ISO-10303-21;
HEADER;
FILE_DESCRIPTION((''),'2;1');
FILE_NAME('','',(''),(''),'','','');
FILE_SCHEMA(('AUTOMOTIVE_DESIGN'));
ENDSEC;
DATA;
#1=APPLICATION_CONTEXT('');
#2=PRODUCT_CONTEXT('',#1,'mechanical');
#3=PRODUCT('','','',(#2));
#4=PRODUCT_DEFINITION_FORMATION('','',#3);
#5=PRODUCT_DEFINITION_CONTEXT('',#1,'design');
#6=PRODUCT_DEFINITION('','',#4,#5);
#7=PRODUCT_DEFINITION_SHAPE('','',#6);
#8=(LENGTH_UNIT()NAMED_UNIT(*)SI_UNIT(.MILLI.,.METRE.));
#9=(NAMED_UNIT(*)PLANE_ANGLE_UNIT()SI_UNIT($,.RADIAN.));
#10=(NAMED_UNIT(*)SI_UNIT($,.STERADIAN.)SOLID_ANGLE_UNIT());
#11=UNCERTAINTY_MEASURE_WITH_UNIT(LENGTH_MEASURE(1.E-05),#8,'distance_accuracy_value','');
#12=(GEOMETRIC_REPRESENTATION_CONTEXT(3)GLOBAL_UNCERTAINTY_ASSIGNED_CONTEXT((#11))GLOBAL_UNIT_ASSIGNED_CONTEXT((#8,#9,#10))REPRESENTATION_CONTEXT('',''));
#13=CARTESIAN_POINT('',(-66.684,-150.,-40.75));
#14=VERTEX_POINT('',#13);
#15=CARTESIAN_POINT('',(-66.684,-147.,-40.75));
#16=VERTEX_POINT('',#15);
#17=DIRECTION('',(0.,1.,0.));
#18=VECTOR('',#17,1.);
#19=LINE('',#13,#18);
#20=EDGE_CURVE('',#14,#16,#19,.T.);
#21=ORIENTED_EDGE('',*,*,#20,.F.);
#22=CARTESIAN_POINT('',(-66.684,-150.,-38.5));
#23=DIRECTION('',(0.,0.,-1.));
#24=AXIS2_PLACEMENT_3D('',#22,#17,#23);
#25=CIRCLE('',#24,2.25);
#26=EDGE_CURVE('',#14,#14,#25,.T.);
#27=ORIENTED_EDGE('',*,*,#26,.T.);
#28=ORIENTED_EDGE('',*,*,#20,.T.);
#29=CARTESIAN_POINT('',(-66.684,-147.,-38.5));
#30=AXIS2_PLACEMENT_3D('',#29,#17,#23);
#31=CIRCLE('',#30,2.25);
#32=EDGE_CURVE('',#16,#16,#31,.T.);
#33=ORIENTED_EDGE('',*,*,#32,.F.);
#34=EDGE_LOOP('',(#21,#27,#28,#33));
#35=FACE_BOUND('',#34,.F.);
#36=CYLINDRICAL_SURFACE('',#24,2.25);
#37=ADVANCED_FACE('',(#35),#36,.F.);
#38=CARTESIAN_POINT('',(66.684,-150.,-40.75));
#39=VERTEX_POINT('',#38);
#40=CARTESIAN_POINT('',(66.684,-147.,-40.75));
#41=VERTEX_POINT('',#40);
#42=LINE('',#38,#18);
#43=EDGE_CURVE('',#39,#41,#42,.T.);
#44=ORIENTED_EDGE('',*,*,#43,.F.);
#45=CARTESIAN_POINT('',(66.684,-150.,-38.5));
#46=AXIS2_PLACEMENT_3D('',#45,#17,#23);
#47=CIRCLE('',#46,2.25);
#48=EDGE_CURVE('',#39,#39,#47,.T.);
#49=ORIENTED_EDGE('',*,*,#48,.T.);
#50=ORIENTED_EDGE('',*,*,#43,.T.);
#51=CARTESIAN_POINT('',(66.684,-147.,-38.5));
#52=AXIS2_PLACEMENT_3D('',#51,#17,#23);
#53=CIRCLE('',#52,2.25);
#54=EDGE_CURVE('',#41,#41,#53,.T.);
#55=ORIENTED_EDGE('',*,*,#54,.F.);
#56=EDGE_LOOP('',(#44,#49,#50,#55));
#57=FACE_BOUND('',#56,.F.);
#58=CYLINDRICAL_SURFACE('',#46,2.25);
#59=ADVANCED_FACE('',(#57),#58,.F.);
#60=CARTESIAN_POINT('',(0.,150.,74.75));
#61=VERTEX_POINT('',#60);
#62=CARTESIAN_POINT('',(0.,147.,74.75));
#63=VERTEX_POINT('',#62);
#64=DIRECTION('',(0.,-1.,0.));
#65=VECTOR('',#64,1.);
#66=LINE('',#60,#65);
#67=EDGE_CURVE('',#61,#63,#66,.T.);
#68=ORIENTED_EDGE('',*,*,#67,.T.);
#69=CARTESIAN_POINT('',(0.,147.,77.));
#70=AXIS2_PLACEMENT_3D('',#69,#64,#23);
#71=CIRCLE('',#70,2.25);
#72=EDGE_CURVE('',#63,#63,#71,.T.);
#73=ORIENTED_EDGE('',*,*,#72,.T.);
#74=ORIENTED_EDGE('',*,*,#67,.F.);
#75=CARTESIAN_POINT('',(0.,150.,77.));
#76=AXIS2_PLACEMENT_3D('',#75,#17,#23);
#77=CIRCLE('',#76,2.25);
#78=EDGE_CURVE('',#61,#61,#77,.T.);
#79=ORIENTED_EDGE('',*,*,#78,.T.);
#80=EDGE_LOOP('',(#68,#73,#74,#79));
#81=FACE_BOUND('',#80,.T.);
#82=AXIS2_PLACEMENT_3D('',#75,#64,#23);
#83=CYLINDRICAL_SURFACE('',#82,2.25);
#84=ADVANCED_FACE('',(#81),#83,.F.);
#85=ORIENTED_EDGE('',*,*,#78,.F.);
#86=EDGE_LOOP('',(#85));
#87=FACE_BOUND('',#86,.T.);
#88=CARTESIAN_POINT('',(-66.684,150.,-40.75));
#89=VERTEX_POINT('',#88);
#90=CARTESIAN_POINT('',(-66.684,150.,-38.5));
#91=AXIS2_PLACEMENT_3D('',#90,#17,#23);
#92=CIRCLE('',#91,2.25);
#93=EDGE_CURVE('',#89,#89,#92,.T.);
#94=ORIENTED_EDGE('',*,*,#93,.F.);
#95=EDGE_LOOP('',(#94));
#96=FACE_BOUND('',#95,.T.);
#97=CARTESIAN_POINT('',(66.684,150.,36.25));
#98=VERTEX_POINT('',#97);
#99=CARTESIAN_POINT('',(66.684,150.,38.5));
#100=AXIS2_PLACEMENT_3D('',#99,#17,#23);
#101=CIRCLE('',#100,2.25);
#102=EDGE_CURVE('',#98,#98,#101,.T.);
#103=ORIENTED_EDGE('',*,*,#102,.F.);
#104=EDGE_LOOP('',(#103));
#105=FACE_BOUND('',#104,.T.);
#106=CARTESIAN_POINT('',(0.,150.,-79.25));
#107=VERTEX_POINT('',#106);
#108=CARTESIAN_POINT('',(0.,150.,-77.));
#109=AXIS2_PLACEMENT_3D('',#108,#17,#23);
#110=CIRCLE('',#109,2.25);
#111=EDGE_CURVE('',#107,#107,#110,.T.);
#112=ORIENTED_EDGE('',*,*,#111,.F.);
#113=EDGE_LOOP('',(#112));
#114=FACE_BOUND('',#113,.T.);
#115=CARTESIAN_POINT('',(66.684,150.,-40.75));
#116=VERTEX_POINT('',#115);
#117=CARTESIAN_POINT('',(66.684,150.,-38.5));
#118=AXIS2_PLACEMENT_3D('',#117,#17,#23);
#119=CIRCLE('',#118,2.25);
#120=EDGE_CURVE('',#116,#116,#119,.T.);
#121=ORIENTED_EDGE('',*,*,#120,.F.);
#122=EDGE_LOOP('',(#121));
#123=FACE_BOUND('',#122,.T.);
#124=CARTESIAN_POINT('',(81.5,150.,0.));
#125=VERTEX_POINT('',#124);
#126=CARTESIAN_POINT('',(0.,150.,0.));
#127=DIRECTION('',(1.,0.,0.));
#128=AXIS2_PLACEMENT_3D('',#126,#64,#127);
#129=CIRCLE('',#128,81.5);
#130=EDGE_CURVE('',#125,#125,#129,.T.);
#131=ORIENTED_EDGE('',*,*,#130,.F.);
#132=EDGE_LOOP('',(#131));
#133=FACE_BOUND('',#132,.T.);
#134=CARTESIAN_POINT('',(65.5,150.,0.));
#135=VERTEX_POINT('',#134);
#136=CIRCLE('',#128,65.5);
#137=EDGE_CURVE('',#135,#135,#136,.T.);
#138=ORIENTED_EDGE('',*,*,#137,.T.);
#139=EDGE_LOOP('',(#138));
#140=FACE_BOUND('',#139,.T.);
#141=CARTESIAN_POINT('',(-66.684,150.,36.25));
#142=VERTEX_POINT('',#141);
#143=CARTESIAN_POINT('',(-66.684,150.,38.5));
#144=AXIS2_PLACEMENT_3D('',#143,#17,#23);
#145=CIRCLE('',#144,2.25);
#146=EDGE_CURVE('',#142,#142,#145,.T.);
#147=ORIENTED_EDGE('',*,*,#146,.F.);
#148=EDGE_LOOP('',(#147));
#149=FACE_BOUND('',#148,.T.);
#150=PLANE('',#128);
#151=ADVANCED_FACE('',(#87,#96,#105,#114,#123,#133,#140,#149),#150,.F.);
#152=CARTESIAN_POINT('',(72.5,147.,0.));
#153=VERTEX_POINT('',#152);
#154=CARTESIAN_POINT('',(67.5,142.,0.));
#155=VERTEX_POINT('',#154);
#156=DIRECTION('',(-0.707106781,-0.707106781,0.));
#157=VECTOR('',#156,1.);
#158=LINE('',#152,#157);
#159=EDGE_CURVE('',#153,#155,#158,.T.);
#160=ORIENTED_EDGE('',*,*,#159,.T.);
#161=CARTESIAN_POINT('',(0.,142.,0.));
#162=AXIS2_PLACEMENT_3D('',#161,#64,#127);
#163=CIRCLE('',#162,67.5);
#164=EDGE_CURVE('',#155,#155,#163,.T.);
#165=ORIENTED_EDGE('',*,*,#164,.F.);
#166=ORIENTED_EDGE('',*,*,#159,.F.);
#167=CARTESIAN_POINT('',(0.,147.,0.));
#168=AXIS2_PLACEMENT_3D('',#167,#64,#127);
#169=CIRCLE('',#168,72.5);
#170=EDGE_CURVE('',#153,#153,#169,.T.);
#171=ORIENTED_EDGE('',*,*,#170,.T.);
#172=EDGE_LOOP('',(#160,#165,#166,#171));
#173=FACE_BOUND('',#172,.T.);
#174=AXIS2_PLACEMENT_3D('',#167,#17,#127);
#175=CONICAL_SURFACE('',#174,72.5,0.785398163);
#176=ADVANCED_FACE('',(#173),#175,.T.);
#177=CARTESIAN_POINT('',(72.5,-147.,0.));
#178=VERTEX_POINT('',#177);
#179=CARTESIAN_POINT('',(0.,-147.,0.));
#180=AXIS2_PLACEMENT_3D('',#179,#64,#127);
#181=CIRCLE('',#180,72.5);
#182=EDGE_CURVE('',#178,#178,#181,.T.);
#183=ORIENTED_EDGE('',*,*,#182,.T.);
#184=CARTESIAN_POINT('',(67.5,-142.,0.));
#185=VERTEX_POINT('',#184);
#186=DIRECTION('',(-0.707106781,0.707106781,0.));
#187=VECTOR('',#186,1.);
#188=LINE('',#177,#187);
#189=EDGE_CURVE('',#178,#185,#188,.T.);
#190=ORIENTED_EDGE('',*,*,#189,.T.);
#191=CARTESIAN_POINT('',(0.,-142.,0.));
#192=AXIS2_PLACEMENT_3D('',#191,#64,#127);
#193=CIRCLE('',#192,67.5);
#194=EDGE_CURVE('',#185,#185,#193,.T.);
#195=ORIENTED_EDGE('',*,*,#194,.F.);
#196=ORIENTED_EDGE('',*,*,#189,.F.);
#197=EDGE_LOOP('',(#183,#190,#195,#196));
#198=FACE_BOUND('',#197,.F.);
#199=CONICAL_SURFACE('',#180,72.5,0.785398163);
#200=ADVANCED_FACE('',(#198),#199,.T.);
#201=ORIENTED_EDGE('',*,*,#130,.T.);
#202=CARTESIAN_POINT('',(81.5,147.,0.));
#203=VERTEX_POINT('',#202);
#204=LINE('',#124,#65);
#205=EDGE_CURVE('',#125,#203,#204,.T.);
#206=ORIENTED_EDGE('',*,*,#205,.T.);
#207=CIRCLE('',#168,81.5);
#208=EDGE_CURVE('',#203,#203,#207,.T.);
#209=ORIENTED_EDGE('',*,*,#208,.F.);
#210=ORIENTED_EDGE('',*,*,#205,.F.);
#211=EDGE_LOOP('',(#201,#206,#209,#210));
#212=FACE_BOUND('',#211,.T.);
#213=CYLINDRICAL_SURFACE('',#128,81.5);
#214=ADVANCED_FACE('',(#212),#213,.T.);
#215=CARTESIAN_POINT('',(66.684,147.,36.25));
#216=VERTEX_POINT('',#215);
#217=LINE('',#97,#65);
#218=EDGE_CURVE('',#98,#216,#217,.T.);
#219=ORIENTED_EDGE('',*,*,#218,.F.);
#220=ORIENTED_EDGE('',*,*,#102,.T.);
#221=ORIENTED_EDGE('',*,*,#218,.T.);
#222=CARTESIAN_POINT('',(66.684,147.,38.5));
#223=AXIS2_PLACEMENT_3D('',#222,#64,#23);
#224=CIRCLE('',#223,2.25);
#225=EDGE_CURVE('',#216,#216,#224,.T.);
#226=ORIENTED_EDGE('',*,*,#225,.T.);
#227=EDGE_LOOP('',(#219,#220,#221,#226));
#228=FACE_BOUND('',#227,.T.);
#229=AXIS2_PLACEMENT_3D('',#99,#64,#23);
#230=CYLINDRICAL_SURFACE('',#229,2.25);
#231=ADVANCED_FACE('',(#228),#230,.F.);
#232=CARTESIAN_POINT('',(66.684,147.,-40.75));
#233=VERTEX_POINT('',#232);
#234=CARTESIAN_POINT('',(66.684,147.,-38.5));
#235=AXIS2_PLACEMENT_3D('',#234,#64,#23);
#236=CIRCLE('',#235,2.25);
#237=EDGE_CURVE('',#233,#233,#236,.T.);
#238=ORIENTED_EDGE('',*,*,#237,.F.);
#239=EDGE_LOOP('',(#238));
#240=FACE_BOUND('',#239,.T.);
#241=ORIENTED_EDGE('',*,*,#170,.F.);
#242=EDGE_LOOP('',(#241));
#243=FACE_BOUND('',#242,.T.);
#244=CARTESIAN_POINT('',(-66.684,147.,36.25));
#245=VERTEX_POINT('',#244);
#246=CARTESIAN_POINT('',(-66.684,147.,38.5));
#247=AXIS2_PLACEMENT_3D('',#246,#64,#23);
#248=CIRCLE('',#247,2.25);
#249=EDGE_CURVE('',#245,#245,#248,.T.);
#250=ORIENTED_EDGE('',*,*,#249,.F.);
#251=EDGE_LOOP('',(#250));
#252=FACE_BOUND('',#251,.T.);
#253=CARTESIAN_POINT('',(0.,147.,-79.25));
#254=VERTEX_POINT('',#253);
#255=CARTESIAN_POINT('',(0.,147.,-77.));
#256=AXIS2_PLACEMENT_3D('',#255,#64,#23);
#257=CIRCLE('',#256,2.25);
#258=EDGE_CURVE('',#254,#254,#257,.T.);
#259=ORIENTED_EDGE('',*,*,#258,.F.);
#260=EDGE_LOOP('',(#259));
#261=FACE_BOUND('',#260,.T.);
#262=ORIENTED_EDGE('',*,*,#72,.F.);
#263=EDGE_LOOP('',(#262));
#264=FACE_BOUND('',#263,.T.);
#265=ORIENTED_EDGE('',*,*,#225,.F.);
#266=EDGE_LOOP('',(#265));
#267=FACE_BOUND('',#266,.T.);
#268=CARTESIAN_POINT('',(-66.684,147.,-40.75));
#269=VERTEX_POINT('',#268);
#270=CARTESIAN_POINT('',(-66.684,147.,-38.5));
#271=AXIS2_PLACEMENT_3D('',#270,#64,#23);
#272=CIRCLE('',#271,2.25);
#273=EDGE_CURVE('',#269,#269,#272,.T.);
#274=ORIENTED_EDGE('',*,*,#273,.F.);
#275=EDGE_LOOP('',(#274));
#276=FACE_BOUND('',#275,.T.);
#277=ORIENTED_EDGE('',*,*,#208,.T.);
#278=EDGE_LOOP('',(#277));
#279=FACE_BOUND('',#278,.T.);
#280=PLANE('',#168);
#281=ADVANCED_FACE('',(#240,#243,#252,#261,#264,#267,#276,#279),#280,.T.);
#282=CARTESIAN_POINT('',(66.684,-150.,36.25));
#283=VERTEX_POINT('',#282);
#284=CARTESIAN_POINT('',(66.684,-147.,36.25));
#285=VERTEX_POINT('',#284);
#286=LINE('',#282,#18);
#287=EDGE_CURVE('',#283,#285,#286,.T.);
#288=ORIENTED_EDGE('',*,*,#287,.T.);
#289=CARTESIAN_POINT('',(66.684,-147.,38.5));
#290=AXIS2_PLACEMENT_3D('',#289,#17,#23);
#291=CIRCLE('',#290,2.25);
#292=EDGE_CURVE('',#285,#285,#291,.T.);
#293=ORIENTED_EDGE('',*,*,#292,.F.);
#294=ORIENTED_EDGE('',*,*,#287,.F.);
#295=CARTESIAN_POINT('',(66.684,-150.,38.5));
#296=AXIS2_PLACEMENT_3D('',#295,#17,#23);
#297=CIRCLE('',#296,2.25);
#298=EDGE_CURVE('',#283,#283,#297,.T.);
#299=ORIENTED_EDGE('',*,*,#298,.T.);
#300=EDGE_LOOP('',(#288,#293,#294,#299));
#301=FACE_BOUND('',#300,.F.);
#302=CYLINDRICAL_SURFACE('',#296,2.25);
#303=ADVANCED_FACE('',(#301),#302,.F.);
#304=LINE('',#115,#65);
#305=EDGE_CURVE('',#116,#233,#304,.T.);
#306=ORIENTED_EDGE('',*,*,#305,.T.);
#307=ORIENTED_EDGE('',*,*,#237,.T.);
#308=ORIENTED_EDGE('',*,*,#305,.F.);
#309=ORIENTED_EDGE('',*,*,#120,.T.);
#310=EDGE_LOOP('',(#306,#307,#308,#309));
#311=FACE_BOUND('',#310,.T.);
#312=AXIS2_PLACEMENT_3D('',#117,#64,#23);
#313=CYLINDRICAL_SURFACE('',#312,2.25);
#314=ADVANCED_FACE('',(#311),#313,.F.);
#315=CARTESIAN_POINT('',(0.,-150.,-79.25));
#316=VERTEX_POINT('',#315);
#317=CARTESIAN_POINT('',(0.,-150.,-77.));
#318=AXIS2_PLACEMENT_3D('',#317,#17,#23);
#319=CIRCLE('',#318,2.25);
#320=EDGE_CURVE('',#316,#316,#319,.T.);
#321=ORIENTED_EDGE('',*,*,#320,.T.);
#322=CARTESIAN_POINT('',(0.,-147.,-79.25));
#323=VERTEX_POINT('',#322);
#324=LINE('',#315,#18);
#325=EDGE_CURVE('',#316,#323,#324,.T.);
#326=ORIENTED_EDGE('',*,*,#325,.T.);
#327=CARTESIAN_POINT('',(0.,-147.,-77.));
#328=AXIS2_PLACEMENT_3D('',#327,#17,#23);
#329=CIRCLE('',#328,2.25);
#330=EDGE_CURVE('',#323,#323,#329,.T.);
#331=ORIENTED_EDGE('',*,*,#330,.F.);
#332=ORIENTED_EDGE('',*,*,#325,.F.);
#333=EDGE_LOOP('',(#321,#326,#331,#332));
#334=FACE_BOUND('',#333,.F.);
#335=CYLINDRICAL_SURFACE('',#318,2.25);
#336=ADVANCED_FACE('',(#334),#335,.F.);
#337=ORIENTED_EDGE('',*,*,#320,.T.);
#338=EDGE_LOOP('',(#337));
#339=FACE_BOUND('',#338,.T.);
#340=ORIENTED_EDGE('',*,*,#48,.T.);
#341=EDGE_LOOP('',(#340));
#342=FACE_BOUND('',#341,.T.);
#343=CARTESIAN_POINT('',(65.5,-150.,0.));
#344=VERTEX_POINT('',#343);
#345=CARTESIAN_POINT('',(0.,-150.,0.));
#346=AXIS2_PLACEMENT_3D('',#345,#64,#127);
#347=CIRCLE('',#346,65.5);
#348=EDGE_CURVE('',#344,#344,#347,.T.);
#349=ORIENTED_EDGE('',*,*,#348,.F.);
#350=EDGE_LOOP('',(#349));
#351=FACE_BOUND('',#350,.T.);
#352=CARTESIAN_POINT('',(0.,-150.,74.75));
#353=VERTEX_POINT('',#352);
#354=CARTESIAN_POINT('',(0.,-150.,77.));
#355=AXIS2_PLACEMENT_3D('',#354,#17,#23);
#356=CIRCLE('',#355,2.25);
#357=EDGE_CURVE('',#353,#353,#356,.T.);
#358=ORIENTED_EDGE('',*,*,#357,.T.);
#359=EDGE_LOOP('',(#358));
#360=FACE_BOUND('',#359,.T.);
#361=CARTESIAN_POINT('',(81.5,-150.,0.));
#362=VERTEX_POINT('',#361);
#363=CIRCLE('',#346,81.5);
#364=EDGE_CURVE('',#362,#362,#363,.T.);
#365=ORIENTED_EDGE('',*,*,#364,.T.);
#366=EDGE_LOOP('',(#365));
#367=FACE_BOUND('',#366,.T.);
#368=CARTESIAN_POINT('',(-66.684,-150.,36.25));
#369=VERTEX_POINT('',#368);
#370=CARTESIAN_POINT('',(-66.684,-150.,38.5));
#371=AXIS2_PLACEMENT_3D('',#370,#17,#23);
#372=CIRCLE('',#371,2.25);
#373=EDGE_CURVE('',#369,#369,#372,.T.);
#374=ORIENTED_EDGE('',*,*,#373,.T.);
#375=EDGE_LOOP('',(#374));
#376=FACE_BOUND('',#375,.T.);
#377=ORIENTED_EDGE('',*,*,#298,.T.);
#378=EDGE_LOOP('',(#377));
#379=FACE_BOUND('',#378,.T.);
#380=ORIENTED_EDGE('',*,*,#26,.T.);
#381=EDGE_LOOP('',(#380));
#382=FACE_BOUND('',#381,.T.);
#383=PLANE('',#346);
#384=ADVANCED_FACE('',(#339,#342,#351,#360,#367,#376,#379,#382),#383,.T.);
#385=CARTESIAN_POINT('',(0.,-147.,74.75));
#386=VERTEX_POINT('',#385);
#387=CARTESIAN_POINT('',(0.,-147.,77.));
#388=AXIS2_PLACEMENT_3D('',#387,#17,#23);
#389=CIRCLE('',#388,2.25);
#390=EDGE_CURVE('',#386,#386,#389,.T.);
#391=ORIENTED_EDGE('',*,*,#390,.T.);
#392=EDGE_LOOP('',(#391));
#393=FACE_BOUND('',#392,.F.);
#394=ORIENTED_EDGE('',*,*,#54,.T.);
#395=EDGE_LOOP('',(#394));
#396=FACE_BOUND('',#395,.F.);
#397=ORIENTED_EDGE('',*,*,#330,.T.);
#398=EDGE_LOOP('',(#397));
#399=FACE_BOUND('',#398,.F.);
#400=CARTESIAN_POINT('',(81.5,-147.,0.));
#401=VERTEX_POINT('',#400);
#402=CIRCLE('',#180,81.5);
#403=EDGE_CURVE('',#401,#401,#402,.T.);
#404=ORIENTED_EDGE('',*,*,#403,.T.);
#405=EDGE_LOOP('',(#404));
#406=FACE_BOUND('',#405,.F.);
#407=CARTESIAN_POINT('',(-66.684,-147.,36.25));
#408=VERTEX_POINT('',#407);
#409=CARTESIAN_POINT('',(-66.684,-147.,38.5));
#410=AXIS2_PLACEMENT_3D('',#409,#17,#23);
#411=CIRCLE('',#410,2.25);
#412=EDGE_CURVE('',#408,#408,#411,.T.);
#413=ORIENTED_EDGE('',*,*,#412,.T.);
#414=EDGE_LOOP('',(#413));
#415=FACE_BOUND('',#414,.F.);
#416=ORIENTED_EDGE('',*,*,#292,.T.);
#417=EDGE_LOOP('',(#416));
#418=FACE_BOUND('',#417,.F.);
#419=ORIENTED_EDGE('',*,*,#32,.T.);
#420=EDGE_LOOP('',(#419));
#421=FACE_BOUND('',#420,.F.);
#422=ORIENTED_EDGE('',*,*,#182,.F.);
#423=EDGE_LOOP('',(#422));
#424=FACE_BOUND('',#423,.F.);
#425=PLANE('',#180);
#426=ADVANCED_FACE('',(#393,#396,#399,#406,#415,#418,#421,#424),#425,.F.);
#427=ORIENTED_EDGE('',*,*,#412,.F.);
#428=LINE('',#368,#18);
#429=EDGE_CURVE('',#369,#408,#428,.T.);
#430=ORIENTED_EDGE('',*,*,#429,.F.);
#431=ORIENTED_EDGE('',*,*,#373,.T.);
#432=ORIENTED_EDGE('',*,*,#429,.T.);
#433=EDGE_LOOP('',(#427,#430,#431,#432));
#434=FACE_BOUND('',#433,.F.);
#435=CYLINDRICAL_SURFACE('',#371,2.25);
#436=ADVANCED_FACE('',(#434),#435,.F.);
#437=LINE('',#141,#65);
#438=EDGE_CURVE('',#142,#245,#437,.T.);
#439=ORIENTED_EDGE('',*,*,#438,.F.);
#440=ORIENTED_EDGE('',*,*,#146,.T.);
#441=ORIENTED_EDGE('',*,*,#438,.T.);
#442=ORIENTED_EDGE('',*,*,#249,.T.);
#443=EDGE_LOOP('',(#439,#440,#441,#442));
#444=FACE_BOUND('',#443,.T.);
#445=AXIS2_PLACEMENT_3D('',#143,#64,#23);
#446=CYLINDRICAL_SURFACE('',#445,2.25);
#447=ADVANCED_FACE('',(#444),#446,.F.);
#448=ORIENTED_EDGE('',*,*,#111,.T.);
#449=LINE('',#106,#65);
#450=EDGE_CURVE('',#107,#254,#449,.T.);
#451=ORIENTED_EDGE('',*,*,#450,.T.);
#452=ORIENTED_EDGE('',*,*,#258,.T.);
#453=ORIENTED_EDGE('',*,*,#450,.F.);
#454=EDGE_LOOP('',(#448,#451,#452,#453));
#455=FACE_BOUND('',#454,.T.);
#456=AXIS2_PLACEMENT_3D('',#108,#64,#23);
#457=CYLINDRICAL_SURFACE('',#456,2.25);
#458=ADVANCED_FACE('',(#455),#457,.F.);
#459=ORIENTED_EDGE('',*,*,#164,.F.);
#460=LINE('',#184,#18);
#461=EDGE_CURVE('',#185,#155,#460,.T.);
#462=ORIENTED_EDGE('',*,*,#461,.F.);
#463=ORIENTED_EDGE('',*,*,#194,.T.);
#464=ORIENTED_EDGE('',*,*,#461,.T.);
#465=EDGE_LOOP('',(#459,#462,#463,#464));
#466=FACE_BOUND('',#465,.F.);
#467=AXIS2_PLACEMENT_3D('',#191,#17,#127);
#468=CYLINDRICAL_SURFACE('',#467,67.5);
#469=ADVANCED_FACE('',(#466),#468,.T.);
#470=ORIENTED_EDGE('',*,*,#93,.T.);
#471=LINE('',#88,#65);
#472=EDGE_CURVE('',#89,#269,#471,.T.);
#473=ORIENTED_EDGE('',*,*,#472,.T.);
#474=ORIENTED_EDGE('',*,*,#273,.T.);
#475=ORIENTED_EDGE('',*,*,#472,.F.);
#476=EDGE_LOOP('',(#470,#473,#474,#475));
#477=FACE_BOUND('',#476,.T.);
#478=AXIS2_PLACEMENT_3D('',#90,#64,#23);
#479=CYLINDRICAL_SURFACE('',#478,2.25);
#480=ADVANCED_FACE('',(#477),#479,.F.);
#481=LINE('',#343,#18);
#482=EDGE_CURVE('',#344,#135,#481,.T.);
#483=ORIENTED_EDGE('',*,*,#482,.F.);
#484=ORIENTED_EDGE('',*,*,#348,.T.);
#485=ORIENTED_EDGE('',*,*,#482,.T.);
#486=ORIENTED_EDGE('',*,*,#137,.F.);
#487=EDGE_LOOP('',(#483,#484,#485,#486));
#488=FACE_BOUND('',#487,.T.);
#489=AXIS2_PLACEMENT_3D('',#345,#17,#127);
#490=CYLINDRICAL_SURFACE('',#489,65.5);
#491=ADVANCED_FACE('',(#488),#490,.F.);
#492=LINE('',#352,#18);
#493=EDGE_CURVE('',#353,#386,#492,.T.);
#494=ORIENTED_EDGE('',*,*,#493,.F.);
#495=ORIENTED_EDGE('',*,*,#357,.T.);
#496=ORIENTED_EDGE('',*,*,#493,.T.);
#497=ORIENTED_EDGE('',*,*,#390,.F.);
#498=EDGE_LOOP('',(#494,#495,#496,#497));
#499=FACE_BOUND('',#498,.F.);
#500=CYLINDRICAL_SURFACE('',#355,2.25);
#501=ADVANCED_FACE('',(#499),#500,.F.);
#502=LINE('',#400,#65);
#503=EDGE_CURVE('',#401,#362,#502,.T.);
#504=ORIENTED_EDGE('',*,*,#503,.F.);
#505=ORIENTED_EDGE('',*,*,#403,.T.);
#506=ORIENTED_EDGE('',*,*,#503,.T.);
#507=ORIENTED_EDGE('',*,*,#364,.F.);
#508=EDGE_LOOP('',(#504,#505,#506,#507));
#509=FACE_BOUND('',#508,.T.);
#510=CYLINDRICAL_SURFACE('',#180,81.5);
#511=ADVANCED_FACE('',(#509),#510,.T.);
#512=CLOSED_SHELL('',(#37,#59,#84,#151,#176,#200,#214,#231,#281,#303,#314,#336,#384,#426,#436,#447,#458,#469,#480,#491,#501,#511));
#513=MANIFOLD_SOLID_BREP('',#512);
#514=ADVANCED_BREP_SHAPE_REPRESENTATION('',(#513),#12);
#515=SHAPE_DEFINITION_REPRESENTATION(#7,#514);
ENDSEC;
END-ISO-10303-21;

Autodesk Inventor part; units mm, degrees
ref_plane "YZ Plane" through (0, 0, 0) normal (1, 0, 0) x (0, 1, 0)
ref_plane "XZ Plane" through (0, 0, 0) normal (0, 1, 0) x (-1, 0, 0)
ref_plane "XY Plane" through (0, 0, 0) normal (0, 0, 1) x (1, 0, 0)
sketch "Sketch1" plane through (0, 0, 0) normal (0, 0, 1) x (1, 0, 0)
  line L0 (-16.3, 0) -> (97.8, 0) construction
  line L1 (0, 210) -> (0, -210) construction
  line L2 (65.5, -150) -> (65.5, 150)
  line L3 (65.5, 150) -> (67.5, 150)
  line L4 (81.5, -147) -> (81.5, -150)
  line L5 (81.5, -150) -> (65.5, -150)
  line L6 (67.5, -142) -> (67.5, 142)
  line L7 (81.5, -147) -> (72.5, -147)
  line L8 (72.5, -147) -> (67.5, -142)
  line L9 (81.5, 150) -> (65.5, 150)
  line L10 (81.5, 150) -> (81.5, 147)
  line L11 (81.5, 147) -> (72.5, 147)
  line L12 (72.5, 147) -> (67.5, 142)
  point P0 (0, 0)
  dimension "d0" = 300
  dimension "d5" = 81.5
  dimension "d6" = 2
  dimension "d7" = 9
  dimension "d8" = 5
  dimension "d9" = 45
  dimension "d10" = 16
  dimension "d11" = 3
  dimension "d12" = 3
  dimension "d13" = 9
  dimension "d14" = 45
  dimension "d15" = 5
revolve "Revolution1" add sketch "Sketch1" angle 360 about axis through (0, 0, 0) along (0, -1, 0)
sketch "Sketch2" plane through (0, -150, 0) normal (0, -1, 0) x (1, 0, 0)
  line L0 (0, 114.1) -> (0, -114.1) construction
  line L1 (-114.1, 0) -> (114.1, 0) construction
  circle A0 centre (0, 0) radius 81.5 construction
  circle A1 centre (0, 0) radius 65.5 construction
  circle A2 centre (0, 0) radius 77 construction
  circle A3 centre (0, 0) radius 72.5 construction
  point P0 (0, 77)
  point P1 (-66.684, 38.5)
  point P2 (-66.684, -38.5)
  point P3 (0, -77)
  point P4 (66.684, -38.5)
  point P5 (66.684, 38.5)
  dimension "d16" = 4.5
  dimension "d20" = 360
  dimension "d29" = 4.5
hole "Hole1" at (0, -150, 77) at (-66.684, -150, 38.5) at (-66.684, -150, -38.5) at (0, -150, -77) at (66.684, -150, -38.5) at (66.684, -150, 38.5) direction (0, 1, 0) diameter 4.5 depth 13 tip angle 118 clearance for "Flat Head Machine Screw" size "M4" standard "Ansi Metric M Profile"
mirror "Mirror1" about plane through (0, 0, 0) normal (0, 1, 0) of "Hole1"
equation "\"d16\" = d29"
equation "\"d12\" = d11"
equation "\"d13\" = d7"
equation "\"d14\" = d9"
equation "\"d15\" = d8"
properties part number "Link_2" material "Aluminum 6061"
